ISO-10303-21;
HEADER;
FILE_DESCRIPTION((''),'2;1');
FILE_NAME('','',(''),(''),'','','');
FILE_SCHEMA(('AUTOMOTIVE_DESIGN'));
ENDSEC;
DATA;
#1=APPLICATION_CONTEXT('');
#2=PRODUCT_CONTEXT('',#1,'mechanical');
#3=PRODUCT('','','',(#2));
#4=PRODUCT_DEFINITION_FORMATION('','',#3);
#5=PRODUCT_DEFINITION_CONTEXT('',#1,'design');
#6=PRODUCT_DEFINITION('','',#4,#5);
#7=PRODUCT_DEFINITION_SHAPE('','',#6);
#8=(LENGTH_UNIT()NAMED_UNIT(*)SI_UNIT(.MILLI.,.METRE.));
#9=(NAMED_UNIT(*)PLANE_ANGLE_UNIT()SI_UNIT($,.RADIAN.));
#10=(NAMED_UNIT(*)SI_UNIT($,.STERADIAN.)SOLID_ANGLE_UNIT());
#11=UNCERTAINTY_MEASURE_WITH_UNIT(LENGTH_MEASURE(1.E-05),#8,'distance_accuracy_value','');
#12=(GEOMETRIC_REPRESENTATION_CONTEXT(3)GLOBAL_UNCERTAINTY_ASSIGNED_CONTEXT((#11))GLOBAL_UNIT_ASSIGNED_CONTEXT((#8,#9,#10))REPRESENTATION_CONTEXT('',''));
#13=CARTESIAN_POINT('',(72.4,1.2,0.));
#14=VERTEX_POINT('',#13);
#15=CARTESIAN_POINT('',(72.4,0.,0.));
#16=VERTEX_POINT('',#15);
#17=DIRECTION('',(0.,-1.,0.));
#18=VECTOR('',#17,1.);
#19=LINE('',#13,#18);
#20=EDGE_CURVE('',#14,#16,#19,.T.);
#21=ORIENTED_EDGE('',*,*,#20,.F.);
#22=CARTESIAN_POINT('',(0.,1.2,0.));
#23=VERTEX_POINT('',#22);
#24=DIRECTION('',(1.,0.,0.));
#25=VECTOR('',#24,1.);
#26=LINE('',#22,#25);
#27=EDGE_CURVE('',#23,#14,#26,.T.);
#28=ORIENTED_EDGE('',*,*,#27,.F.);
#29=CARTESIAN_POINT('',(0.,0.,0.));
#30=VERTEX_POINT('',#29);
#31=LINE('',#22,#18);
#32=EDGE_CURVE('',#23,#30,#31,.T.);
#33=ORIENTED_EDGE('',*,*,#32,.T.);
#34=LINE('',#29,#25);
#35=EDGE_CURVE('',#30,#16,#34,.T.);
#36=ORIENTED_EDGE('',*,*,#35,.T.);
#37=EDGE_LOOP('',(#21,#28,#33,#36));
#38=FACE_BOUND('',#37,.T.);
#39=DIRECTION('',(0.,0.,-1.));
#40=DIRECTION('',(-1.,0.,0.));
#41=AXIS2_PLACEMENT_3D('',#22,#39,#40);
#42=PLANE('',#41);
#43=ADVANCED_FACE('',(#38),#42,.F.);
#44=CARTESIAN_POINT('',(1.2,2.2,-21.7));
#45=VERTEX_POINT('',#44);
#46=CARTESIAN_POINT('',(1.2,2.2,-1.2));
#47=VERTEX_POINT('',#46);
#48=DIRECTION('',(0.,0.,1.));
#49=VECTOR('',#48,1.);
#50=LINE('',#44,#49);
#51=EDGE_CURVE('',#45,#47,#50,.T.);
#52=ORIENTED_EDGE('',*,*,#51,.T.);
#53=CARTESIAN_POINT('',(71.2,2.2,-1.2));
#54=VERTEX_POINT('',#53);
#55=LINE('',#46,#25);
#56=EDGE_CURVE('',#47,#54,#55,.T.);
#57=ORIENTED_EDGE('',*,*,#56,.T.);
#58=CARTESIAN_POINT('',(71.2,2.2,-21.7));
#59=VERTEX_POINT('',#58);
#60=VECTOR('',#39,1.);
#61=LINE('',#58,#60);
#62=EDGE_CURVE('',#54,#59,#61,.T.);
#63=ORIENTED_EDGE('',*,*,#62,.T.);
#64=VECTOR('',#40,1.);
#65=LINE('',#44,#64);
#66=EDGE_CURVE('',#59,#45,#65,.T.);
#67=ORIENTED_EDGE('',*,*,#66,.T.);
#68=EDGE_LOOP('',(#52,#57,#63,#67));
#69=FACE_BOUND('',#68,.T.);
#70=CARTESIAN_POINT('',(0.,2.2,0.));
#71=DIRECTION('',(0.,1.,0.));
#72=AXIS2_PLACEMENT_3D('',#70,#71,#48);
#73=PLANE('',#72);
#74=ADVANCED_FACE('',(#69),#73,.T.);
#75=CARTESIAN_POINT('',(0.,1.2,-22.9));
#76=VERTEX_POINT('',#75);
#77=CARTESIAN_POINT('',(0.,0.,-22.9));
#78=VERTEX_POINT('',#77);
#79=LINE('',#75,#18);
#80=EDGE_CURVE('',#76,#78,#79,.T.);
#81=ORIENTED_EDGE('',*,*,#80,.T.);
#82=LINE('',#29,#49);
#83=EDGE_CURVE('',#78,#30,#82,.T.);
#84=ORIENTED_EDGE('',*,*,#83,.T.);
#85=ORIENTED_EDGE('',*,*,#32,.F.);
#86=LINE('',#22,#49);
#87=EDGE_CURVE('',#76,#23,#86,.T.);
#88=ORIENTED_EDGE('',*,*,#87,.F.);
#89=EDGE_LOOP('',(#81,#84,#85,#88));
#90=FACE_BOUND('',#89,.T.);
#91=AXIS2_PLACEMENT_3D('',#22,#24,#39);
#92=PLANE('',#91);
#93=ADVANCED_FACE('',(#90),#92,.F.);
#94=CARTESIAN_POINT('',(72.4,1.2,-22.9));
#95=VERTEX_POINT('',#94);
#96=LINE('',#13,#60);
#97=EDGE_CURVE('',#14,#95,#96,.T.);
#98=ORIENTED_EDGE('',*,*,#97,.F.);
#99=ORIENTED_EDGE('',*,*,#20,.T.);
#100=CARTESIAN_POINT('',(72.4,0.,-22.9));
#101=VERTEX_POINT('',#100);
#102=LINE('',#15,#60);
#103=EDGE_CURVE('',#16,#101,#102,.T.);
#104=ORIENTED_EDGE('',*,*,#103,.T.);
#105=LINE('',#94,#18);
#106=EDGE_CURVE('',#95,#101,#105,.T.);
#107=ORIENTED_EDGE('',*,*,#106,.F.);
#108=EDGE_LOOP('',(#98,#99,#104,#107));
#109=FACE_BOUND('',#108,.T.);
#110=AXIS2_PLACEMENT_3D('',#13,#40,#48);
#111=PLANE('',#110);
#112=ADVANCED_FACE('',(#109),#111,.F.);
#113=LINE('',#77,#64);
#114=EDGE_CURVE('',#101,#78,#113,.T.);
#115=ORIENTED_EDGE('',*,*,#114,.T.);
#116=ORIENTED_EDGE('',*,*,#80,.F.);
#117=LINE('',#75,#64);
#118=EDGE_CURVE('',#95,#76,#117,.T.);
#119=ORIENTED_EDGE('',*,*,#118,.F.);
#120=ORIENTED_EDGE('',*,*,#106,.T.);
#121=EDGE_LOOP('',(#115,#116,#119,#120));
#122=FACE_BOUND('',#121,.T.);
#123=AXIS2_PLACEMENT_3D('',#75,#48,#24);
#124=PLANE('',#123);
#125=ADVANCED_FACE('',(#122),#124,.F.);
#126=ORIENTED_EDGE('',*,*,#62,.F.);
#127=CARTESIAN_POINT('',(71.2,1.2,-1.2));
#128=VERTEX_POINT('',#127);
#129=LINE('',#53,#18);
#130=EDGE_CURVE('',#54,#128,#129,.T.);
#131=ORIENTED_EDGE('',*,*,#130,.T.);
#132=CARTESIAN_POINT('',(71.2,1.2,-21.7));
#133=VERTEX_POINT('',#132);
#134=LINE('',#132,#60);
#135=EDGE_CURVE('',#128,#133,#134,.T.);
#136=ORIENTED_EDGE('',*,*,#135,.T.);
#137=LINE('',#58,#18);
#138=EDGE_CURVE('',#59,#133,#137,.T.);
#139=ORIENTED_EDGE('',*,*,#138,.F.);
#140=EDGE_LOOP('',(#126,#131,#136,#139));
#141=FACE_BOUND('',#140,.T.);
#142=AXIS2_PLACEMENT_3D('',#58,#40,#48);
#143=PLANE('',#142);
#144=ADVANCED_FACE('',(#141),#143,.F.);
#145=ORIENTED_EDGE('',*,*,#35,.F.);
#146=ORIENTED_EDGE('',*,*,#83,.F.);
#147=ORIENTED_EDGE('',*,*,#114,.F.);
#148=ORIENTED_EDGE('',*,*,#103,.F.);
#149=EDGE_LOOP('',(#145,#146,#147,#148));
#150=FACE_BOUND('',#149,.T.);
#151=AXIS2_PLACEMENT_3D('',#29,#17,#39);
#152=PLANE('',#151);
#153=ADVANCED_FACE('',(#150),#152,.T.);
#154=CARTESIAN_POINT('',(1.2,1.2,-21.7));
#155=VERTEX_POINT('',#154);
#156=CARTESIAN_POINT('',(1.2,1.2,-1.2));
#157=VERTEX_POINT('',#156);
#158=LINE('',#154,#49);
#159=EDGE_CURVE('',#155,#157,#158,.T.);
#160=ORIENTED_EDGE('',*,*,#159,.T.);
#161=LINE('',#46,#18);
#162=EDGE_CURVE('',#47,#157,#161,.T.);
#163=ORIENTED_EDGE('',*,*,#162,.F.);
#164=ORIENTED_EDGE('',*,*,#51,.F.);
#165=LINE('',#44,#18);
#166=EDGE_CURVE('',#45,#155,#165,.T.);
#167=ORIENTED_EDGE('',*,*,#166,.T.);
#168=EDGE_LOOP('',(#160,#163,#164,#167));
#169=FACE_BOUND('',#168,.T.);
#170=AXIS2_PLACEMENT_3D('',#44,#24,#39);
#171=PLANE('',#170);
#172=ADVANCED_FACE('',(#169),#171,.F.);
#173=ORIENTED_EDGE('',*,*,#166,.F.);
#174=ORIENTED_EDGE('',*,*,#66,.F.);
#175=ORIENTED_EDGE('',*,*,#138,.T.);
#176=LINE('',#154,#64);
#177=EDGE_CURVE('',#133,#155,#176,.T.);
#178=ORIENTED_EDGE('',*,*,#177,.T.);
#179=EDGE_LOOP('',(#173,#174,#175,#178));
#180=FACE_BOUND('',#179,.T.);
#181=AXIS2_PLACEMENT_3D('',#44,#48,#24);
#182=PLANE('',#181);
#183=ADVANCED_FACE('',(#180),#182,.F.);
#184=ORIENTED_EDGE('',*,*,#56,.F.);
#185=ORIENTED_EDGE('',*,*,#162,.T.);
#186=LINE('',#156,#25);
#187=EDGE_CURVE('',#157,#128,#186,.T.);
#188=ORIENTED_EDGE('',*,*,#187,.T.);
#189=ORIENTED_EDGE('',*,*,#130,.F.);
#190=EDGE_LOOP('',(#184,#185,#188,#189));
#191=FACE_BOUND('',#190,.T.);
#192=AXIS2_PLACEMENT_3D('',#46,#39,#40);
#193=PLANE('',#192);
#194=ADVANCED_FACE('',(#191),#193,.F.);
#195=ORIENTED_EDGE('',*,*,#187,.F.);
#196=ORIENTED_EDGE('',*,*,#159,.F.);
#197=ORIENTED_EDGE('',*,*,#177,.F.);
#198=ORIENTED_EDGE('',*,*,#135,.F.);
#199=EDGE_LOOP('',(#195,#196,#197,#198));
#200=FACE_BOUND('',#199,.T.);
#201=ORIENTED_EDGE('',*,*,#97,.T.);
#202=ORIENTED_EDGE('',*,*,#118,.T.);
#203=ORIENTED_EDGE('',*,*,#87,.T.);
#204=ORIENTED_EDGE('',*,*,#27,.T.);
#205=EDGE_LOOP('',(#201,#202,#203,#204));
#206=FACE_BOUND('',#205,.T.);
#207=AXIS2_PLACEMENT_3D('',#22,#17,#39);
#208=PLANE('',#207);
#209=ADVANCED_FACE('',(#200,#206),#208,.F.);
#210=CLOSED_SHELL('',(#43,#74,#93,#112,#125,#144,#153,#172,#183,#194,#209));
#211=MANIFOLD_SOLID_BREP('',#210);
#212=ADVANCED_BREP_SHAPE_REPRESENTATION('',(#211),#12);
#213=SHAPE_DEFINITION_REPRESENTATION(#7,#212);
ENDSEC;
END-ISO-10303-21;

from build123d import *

# Parameters (mm, degrees)
SKICA1_W                = 72.4
SKICA1_H                = 22.9
P_IDAT_VYSUNUT_M2_DEPTH = 1.2
SKICA2_W                = 70
SKICA2_H                = 20.5
P_IDAT_VYSUNUT_M3_DEPTH = 1


with BuildPart() as part:
    # Skica1 → Přidat vysunutím2 (new body)
    with BuildSketch(Plane(origin=(0, 0, 0), x_dir=(1, 0, 0), z_dir=(0, 1, 0))):
        with Locations((36.2, 11.45)):
            Rectangle(SKICA1_W, SKICA1_H)
    extrude(amount=P_IDAT_VYSUNUT_M2_DEPTH)

    # Skica2 → Přidat vysunutím3 (add)
    with BuildSketch(Plane(origin=(0, 1.2, 0), x_dir=(1, 0, 0), z_dir=(0, 1, 0))):
        with Locations((36.2, 11.45)):
            Rectangle(SKICA2_W, SKICA2_H)
    extrude(amount=P_IDAT_VYSUNUT_M3_DEPTH)


solid = part.part
